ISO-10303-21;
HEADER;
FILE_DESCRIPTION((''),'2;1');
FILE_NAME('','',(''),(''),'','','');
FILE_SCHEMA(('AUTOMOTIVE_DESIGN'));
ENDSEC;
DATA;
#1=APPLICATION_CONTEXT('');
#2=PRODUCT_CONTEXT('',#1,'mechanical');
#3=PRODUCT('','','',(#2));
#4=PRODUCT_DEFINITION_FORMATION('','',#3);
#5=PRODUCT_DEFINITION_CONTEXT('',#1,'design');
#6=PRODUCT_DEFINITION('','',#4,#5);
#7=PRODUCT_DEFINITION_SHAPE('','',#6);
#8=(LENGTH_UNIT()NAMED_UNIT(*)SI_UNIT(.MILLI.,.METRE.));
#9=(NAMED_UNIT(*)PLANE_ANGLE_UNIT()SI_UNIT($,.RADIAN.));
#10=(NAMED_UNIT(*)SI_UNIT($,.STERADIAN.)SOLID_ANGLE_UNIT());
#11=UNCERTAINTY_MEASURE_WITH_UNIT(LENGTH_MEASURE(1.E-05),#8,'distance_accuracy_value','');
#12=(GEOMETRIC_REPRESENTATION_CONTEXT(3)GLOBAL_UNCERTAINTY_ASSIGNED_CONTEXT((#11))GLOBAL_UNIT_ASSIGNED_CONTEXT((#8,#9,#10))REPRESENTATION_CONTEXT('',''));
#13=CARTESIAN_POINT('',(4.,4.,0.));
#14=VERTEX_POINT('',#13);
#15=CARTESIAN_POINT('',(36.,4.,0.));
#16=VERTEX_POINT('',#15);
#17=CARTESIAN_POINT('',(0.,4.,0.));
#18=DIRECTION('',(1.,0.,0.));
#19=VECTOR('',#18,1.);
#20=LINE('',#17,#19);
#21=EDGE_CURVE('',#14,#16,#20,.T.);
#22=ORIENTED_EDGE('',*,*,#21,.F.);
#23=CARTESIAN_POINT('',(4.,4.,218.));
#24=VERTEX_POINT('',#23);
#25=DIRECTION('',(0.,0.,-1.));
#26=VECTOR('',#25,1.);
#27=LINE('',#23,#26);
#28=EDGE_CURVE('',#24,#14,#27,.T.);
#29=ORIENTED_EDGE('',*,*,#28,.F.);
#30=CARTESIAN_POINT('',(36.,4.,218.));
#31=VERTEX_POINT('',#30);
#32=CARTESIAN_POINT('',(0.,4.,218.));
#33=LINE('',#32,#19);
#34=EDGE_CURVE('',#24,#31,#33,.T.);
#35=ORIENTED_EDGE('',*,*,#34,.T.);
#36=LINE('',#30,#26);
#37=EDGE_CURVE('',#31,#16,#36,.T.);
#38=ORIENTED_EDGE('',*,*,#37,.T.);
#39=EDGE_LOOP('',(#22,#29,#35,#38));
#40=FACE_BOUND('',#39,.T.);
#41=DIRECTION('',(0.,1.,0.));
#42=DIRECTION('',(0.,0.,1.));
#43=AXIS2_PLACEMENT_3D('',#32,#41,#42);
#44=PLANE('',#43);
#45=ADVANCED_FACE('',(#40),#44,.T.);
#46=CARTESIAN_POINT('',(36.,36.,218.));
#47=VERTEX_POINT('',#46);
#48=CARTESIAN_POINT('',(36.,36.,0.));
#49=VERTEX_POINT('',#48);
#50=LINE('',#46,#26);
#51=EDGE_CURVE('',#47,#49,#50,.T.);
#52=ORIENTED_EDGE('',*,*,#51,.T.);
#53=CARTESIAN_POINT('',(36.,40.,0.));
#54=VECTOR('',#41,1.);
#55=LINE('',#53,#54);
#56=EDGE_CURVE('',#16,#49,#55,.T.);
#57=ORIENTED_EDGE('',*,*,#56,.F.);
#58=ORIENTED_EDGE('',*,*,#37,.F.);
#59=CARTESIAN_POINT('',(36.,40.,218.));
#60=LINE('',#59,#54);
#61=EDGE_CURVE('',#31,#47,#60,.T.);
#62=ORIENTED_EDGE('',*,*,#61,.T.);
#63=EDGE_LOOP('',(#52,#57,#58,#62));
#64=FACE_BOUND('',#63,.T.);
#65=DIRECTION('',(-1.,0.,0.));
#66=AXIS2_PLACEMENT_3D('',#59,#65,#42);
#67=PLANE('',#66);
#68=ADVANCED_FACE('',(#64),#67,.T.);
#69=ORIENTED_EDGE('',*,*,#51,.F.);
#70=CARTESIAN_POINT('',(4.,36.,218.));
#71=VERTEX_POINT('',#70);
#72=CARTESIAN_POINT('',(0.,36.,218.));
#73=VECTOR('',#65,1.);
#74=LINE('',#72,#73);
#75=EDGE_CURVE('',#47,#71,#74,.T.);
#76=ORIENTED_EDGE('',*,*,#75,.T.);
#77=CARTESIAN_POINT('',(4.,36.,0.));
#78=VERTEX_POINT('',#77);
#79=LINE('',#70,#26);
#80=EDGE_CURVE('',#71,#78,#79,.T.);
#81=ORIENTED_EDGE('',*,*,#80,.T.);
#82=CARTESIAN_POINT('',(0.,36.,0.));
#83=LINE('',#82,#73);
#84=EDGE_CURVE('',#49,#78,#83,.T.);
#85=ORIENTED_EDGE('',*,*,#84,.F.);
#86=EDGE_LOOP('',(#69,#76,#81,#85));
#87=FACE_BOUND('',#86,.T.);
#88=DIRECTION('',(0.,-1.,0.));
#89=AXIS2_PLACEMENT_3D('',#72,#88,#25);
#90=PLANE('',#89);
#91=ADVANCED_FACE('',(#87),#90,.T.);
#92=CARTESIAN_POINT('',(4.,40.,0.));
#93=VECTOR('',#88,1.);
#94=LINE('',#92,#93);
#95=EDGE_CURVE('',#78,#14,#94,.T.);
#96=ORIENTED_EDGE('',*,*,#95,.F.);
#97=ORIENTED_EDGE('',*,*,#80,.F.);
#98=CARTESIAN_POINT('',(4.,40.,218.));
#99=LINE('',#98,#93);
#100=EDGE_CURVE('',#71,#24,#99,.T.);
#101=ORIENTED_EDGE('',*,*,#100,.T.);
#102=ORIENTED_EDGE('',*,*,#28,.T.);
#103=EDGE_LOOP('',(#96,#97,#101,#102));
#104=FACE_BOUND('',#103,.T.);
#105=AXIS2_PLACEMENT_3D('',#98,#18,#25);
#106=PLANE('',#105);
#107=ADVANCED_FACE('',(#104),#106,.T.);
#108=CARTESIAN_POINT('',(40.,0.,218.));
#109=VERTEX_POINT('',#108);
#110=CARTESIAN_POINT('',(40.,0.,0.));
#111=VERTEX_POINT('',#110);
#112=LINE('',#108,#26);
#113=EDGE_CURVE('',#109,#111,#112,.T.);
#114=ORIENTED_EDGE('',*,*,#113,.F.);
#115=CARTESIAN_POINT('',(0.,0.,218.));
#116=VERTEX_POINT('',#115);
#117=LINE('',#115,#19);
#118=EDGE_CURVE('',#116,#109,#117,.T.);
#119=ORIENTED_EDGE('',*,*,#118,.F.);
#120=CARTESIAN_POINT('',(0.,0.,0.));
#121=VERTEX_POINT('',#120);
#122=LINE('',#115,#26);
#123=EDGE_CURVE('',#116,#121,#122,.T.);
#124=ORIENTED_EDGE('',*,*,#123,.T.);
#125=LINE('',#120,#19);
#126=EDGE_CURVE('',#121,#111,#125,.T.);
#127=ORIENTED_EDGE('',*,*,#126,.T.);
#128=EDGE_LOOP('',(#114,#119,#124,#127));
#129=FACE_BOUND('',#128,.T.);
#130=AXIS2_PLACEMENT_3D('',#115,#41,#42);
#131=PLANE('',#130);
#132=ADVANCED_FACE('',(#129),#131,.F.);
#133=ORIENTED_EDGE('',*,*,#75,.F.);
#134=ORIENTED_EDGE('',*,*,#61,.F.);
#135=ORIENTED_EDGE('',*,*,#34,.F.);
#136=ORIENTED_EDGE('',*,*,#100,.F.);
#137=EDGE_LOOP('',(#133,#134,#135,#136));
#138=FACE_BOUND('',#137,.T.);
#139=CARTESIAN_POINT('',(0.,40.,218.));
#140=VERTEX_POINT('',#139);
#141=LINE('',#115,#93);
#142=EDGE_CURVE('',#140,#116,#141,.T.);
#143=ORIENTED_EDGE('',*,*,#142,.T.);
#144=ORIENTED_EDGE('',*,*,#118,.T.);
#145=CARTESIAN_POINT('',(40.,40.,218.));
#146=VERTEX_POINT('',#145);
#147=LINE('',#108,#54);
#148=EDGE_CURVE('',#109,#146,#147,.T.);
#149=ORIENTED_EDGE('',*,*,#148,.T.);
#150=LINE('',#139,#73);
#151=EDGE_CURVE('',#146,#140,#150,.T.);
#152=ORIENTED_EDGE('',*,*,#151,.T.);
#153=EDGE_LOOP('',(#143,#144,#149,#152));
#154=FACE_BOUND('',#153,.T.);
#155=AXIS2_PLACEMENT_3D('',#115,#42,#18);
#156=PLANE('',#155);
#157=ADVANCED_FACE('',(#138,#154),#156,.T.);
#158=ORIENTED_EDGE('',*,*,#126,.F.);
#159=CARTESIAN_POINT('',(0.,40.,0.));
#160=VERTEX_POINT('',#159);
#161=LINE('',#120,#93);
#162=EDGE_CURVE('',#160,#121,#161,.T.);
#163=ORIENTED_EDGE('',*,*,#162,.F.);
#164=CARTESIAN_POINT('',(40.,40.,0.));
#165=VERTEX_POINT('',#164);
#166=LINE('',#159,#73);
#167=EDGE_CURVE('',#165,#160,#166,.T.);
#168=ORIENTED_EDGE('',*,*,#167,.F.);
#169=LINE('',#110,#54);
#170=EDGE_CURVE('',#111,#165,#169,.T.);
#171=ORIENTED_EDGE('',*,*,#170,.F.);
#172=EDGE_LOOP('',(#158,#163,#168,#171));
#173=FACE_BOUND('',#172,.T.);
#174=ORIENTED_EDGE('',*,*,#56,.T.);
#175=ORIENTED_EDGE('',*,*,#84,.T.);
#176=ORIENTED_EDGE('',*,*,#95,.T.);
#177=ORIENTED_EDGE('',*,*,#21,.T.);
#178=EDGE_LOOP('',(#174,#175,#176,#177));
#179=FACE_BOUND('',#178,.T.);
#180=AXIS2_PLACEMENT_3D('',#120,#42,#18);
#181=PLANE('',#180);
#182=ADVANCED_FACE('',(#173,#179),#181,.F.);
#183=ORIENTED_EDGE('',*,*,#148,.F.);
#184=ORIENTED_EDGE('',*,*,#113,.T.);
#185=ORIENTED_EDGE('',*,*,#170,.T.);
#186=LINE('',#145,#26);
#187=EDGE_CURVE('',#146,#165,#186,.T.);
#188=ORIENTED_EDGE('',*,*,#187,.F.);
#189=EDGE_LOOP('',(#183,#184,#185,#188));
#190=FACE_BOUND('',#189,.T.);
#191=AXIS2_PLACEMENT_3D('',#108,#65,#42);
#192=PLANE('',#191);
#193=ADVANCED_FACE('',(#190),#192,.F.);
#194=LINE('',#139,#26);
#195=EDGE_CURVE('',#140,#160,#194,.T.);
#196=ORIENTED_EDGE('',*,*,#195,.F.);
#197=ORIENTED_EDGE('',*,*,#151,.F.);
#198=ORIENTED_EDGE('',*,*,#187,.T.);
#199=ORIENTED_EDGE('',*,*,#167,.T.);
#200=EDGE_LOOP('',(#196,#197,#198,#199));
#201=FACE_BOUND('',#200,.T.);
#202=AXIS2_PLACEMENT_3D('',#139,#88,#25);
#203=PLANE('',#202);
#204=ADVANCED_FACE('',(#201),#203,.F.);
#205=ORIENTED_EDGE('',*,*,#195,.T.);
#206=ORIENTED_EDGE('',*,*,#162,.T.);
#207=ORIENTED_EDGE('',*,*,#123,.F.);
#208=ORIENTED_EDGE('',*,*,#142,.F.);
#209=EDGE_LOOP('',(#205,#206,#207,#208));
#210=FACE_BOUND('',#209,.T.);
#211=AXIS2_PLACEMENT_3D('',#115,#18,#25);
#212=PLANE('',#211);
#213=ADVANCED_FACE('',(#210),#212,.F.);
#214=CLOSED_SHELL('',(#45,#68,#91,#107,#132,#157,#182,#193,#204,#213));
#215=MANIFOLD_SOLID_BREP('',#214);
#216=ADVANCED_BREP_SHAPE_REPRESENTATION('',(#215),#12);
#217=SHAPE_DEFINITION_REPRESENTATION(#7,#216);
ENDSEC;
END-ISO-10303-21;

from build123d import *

# Parameters (mm, degrees)
SKETCH_1_W      = 40
SKETCH_1_H      = 40
SKETCH_1_W_2    = 32
SKETCH_1_H_2    = 32
EXTRUDE_1_DEPTH = 218


with BuildPart() as part:
    # Эскиз1 → Вытянуть-Тонкостенный1 (new body)
    with BuildSketch(Plane.XY):
        with Locations((20, 20)):
            Rectangle(SKETCH_1_W, SKETCH_1_H)
        with Locations((20, 20)):
            Rectangle(SKETCH_1_W_2, SKETCH_1_H_2, mode=Mode.SUBTRACT)
    extrude(amount=EXTRUDE_1_DEPTH)


solid = part.part
